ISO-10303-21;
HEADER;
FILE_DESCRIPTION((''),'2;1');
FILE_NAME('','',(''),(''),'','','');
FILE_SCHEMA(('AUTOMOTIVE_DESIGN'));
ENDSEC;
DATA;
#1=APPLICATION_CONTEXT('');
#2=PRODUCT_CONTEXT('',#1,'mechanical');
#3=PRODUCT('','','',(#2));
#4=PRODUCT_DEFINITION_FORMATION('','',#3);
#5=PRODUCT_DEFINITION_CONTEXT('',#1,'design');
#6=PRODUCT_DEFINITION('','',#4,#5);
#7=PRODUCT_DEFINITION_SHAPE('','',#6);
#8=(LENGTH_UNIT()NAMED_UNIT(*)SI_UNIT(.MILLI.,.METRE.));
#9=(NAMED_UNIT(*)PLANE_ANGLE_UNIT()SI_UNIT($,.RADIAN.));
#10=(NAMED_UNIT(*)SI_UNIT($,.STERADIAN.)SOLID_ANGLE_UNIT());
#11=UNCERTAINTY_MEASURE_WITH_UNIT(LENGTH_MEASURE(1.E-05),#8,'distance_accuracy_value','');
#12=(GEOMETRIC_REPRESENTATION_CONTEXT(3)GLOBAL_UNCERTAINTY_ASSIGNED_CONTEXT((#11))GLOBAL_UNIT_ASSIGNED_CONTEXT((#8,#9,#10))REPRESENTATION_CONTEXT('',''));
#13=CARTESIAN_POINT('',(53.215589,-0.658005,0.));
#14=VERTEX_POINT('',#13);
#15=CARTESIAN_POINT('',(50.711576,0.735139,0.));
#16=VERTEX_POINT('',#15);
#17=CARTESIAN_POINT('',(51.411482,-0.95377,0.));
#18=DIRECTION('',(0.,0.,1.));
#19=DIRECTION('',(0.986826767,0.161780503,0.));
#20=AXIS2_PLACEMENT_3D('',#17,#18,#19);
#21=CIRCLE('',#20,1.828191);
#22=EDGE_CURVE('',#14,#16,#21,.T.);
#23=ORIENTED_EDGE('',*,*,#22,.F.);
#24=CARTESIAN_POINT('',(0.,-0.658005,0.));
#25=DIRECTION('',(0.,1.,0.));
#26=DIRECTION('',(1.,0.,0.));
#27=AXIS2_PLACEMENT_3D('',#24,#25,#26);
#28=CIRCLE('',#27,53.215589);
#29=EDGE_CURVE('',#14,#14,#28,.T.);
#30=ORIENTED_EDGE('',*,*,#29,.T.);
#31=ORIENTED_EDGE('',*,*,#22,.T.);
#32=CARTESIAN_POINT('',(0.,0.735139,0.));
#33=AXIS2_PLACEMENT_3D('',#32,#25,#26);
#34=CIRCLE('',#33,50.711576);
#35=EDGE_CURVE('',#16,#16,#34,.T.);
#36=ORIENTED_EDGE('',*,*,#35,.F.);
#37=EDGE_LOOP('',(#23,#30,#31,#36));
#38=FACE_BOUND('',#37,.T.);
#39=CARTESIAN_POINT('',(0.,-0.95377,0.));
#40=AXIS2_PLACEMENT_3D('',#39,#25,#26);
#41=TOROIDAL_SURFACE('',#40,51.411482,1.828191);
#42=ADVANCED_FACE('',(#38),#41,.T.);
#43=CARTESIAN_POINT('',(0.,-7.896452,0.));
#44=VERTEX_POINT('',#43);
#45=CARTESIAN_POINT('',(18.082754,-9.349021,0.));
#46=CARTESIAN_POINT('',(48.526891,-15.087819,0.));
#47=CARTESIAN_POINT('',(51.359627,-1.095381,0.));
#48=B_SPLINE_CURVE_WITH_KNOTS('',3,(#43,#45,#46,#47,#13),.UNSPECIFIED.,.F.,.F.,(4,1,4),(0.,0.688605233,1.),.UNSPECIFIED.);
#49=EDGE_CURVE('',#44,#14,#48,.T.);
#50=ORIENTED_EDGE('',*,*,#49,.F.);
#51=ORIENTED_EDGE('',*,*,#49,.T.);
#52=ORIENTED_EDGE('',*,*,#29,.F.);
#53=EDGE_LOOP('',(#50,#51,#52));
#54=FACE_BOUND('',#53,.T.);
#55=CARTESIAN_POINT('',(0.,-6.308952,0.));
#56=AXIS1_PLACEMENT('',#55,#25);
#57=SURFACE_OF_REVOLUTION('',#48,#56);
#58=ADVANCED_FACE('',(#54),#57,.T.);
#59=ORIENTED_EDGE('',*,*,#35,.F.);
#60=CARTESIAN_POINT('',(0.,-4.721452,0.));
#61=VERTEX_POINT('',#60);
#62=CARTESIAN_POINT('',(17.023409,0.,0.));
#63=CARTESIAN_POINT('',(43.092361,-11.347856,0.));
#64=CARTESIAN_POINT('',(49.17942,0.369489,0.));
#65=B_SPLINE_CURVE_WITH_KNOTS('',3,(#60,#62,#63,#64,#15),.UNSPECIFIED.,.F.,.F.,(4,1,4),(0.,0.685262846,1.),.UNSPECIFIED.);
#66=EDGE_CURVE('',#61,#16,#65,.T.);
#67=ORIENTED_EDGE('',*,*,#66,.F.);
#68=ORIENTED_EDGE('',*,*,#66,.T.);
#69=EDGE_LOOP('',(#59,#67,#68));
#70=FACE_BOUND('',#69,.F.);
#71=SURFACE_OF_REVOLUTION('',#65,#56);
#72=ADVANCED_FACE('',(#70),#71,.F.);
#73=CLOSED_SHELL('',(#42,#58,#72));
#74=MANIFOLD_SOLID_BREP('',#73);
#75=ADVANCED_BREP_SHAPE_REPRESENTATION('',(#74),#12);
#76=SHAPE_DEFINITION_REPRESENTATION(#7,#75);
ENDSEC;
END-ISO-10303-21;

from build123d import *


with BuildPart() as f1:
    # F0 (on Top) → F1 (revolve)
    with BuildSketch(Plane.XY):
        with BuildLine():
            Line((0, -4.7214520164), (0, -7.8964520164))
            add(Edge.make_bspline(
                [(0, -7.8964520164), (18.082753551, -9.3490210563), (48.5268909998, -15.0878185373), (51.3596266723, -1.0953812681), (53.2155893743, -0.6580045447)],
                knots=[0, 0, 0, 0, 0.688605233, 1, 1, 1, 1], degree=3))
            ThreePointArc((53.2155893743, -0.6580045447), (52.300316581, 0.6438073998), (50.7115758087, 0.7351385738))
            add(Edge.make_bspline(
                [(0, -4.7214520164), (17.02340872, 0), (43.0923608956, -11.3478563187), (49.1794199313, 0.3694890617), (50.7115758087, 0.7351385738)],
                knots=[0, 0, 0, 0, 0.685262846, 1, 1, 1, 1], degree=3))
        make_face()
    revolve(axis=Axis((0, -6.3089520164, 0), (0, 1, 0)))


solid = f1.part
